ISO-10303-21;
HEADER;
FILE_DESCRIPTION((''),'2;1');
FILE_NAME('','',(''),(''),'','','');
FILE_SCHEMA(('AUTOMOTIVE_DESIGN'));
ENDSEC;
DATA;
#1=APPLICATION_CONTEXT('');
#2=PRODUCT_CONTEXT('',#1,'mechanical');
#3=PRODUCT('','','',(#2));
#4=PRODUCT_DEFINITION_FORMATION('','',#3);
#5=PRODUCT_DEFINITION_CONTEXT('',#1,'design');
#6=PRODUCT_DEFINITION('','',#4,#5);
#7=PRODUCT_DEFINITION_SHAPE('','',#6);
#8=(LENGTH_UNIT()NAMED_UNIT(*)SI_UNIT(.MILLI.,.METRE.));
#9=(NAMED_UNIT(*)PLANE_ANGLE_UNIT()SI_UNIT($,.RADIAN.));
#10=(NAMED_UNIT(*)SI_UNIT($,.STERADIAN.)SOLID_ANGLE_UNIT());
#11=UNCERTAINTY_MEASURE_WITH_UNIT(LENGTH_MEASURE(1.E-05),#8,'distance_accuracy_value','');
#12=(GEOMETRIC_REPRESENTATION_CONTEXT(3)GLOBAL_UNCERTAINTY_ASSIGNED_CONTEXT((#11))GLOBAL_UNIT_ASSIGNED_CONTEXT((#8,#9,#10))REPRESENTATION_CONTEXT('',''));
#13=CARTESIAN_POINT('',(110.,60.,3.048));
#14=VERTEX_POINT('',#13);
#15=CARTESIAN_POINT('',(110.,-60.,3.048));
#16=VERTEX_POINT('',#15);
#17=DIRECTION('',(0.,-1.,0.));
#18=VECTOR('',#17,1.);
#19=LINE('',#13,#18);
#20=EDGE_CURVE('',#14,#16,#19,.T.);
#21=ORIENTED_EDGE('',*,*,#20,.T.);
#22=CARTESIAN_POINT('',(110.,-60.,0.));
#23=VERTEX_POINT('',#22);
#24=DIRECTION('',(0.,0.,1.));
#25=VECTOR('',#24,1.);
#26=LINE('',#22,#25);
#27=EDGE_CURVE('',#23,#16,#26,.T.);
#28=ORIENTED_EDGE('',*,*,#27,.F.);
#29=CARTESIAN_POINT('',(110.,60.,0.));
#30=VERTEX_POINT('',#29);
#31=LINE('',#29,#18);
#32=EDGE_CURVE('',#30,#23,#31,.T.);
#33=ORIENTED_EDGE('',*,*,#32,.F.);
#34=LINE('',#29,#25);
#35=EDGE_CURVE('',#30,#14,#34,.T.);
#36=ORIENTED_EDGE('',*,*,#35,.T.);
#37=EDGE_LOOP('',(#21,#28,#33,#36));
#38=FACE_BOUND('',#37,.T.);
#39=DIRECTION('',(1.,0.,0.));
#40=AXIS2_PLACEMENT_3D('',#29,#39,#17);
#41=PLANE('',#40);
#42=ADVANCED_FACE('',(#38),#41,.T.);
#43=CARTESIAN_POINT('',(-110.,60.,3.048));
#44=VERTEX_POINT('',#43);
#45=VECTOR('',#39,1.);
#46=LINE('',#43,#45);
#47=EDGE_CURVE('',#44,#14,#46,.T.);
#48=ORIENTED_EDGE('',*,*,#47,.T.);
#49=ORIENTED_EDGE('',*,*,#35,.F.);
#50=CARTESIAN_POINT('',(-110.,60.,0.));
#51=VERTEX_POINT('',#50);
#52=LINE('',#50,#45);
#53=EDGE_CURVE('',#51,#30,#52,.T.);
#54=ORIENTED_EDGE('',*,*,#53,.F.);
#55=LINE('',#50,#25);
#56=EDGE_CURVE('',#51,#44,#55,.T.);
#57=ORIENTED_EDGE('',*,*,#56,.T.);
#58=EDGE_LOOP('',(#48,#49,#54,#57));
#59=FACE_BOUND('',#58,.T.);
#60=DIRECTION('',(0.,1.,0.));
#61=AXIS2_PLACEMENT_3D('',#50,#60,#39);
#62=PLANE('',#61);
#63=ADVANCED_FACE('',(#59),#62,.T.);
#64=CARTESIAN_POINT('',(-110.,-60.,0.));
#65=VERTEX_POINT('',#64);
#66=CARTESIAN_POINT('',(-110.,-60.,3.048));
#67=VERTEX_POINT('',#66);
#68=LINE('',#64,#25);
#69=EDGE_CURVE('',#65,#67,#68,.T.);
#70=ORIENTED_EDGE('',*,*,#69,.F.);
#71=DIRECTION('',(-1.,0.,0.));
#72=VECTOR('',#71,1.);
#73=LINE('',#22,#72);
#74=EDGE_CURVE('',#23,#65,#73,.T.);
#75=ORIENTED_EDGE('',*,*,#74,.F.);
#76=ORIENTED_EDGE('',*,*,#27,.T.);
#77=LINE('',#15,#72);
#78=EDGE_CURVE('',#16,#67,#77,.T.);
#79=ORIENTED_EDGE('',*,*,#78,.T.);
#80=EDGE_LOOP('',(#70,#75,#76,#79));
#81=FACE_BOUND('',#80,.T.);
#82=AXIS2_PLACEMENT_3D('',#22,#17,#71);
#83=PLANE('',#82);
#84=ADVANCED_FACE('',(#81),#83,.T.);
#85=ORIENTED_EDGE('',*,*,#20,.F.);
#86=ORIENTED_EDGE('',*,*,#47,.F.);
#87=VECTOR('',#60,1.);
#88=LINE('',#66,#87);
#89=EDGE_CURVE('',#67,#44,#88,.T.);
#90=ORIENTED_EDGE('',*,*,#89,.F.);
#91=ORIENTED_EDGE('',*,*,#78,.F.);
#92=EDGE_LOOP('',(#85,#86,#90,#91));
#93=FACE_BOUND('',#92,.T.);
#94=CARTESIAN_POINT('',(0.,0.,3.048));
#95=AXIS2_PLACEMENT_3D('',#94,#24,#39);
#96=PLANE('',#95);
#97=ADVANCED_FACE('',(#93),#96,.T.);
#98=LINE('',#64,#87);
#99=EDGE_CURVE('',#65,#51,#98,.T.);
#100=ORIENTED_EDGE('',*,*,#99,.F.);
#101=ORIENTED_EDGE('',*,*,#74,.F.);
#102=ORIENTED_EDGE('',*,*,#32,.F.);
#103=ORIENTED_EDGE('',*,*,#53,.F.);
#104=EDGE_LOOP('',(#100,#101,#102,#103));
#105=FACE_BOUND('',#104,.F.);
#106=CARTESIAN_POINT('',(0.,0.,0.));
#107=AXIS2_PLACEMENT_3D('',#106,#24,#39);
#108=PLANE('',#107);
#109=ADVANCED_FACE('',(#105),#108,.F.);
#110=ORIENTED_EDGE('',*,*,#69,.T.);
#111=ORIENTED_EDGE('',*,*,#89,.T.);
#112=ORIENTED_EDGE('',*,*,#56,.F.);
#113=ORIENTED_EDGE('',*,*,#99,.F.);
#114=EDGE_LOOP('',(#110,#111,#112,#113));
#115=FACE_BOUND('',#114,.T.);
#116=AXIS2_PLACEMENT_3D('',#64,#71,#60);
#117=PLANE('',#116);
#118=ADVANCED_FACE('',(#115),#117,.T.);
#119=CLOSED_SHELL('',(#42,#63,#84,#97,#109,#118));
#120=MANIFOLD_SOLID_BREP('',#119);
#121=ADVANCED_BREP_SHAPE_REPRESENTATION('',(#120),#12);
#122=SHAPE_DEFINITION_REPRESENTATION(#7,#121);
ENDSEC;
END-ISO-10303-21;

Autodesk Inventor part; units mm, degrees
ref_plane "YZ Plane" through (0, 0, 0) normal (1, 0, 0) x (0, 1, 0)
ref_plane "XZ Plane" through (0, 0, 0) normal (0, 1, 0) x (-1, 0, 0)
ref_plane "XY Plane" through (0, 0, 0) normal (0, 0, 1) x (1, 0, 0)
sketch "Sketch4" plane through (0, 0, 0) normal (0, 0, 1) x (1, 0, 0)
  line L0 (-110, 60) -> (110, 60)
  line L1 (110, 60) -> (110, -60)
  line L2 (110, -60) -> (-110, -60)
  line L3 (-110, -60) -> (-110, 60)
  line L4 (-110, 60) -> (110, -60) construction
  line L5 (110, 60) -> (-110, -60) construction
  point P0 (0, 0)
  dimension "Charging_hatch_lenght" = 120
  dimension "d12" = 120
  dimension "d13" = 220
extrude "Plate2" add sketch "Sketch4" along normal blind 3.048
equation "\"d12\" = Charging_hatch_lenght"
equation "\"d13\" = Charging_hatch_width - Charging_hatch_hight"
equation "\"d14\" = Thickness"
equation "\"BendRadius\" = Thickness"
equation "\"BendReliefWidth\" = Thickness"
equation "\"BendReliefDepth\" = 0.5 * Thickness"
equation "\"CornerReliefSize\" = 4 * Thickness"
equation "\"MinimumRemnant\" = 2 * Thickness"
equation "\"TransitionRadius\" = BendRadius"
equation "\"JacobiRadiusSize\" = BendRadius"
equation "\"GapSize\" = Thickness"
equation "\"Charging_hatch_width\" = 400"
equation "\"Charging_hatch_hight\" = 180"
equation "\"Thickness\" = 3.048"
properties part number "PNS-733 charging blind flange"
